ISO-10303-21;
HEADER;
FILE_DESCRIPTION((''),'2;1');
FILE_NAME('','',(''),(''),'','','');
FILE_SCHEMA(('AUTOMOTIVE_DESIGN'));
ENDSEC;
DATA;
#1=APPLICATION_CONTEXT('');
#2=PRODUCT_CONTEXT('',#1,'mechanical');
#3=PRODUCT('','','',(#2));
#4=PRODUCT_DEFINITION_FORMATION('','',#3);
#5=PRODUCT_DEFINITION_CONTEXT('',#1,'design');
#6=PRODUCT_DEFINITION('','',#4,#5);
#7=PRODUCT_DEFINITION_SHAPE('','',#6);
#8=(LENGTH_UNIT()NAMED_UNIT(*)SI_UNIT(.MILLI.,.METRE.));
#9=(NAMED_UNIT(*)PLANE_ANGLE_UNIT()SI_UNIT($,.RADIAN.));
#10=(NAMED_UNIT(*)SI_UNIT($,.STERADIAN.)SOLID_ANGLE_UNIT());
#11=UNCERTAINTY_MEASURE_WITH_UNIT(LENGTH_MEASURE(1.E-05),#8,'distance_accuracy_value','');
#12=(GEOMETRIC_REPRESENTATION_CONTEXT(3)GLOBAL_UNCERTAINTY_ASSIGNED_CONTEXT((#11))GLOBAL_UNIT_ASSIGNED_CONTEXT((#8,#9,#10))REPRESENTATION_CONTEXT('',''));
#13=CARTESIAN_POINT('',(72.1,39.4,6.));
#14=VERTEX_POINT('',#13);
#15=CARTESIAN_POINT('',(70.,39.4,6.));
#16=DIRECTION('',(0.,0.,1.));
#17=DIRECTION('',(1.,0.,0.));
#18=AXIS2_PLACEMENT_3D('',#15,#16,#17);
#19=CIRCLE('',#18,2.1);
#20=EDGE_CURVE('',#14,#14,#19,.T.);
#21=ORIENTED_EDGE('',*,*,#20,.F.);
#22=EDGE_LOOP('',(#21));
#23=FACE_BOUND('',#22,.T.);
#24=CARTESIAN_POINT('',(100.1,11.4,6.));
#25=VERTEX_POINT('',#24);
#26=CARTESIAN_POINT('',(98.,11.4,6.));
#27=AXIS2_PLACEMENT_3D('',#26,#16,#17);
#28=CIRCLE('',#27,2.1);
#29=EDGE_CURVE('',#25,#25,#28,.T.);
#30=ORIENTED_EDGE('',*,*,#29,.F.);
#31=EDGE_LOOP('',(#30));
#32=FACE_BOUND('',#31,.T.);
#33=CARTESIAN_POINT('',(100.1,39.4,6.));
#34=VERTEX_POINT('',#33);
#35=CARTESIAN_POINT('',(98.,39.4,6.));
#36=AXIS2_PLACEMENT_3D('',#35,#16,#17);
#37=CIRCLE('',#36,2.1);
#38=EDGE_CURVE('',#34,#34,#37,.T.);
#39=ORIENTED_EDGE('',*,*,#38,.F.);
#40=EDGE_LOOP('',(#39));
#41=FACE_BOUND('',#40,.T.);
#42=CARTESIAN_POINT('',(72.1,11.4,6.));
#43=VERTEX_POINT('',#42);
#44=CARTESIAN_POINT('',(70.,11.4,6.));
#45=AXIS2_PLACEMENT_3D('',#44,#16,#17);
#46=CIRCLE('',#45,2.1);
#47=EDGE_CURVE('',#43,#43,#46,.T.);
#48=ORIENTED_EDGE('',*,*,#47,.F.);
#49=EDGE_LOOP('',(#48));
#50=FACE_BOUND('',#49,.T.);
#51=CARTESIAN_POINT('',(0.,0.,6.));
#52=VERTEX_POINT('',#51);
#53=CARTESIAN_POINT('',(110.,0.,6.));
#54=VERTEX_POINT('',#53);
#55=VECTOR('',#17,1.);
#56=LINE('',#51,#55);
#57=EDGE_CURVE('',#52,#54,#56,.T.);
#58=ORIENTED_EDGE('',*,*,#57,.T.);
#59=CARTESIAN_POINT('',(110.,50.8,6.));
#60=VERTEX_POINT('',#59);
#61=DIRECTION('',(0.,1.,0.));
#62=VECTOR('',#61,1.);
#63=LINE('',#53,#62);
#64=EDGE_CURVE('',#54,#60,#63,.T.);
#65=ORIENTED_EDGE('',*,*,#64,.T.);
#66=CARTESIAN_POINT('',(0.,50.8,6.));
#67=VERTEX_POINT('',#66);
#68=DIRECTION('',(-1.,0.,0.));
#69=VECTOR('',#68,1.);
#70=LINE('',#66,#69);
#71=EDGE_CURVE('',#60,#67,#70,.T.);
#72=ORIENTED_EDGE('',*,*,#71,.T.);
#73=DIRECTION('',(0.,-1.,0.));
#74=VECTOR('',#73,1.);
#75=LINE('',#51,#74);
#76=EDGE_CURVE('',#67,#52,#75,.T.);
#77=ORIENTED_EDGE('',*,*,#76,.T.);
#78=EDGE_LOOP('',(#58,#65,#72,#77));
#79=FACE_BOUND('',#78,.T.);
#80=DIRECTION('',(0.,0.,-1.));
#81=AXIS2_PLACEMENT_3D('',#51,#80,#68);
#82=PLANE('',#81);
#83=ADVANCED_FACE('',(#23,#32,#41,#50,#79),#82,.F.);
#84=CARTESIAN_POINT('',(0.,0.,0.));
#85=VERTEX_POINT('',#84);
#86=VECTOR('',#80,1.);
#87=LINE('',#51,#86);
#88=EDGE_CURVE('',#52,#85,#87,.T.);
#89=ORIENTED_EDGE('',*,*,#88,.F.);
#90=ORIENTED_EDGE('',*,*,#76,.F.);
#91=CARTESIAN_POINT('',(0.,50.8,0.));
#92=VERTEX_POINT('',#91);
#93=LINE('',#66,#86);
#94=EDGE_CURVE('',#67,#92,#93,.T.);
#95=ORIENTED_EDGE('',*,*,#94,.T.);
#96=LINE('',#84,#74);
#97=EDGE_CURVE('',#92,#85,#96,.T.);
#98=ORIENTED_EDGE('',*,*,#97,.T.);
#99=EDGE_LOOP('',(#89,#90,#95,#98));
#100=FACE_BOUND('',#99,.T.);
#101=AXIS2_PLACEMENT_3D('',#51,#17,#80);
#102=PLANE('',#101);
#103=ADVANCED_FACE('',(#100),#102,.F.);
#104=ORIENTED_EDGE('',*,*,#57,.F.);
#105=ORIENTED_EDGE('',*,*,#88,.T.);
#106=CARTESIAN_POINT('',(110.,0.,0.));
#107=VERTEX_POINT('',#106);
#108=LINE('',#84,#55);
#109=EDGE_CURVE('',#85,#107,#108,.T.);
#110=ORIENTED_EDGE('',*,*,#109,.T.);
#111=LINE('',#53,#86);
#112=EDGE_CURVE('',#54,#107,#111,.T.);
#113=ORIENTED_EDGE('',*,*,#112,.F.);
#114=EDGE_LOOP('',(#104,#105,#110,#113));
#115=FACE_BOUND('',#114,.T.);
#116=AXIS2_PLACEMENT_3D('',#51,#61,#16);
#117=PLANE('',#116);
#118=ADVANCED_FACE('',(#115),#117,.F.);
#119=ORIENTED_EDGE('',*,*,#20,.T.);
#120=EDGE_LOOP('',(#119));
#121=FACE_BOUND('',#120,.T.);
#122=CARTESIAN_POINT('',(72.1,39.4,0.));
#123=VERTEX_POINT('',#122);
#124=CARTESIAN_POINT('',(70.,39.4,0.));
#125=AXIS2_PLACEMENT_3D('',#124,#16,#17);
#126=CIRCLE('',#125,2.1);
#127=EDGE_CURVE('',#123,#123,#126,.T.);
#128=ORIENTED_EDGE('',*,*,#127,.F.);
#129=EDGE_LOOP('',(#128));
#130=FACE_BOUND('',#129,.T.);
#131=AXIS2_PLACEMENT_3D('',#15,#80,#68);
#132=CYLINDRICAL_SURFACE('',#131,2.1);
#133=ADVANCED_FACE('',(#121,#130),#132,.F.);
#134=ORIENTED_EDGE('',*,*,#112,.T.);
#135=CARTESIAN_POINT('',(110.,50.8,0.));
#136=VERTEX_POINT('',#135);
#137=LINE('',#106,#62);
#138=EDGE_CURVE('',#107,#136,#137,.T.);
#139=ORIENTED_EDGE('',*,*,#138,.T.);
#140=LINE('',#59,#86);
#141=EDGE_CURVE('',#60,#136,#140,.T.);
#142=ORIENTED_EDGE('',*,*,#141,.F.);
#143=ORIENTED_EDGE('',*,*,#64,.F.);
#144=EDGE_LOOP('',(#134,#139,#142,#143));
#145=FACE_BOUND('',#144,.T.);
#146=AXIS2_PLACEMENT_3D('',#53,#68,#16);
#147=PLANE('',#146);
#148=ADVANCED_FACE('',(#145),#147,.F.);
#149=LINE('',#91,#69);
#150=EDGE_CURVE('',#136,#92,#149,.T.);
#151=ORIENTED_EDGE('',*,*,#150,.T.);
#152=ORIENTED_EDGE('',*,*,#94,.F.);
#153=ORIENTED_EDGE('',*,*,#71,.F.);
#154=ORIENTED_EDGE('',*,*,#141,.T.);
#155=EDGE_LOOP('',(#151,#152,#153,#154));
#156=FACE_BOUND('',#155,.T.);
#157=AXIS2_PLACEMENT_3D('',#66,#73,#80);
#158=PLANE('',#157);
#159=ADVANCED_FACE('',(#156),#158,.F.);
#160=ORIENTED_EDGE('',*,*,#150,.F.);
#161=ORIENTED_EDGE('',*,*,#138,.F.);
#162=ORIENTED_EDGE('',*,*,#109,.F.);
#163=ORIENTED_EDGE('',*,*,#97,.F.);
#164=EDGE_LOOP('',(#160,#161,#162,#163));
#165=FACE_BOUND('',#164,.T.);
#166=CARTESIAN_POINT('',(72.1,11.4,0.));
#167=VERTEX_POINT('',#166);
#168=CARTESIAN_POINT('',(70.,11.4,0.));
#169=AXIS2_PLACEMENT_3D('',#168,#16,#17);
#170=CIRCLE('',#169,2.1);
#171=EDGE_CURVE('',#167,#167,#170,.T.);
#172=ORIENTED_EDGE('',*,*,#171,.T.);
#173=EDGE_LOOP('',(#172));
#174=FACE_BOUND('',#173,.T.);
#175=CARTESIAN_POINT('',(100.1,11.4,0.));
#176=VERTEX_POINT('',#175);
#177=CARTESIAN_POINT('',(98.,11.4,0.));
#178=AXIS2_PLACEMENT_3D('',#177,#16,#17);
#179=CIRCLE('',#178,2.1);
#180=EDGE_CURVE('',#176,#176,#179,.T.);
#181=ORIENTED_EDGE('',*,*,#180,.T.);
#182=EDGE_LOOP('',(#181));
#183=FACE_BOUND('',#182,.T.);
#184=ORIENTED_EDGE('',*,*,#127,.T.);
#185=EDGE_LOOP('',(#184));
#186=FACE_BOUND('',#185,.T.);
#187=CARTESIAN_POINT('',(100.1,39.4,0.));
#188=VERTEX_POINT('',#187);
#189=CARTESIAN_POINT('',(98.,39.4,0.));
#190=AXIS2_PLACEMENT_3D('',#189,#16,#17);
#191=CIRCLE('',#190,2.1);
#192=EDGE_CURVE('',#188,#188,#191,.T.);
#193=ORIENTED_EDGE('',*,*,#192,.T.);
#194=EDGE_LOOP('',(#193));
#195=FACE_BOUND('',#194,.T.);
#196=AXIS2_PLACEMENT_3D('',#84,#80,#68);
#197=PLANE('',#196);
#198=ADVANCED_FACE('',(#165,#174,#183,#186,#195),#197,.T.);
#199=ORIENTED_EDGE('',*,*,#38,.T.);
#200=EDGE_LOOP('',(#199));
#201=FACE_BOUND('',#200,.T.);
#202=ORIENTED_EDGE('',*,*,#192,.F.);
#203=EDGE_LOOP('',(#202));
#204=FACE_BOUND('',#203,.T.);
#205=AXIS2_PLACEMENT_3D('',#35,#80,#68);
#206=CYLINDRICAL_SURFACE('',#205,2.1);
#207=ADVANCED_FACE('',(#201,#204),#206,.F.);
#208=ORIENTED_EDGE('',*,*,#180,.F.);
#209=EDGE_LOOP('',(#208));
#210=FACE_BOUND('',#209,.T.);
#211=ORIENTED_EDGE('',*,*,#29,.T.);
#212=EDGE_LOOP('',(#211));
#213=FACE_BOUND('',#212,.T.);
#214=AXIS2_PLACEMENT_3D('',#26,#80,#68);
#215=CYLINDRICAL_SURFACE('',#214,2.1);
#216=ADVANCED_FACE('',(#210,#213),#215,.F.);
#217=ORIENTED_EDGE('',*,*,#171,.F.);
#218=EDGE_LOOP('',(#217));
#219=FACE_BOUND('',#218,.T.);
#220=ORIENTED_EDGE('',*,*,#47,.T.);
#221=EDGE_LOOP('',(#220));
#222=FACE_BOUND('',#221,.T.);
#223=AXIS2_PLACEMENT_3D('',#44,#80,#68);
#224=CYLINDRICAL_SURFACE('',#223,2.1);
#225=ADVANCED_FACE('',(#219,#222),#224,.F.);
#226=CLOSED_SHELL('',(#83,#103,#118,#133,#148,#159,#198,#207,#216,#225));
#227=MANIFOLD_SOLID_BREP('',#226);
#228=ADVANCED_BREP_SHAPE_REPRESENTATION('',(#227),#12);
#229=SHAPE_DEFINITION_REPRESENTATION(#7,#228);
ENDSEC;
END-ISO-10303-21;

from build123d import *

# Parameters (mm, degrees)
SKETCH1_W           = 110
SKETCH1_H           = 50.8
SKETCH1_R           = 2.1
BOSS_EXTRUDE1_DEPTH = 6


with BuildPart() as part:
    # Sketch1 → Boss-Extrude1 (new body)
    with BuildSketch(Plane.XY):
        with Locations((55, 25.4)):
            Rectangle(SKETCH1_W, SKETCH1_H)
        with Locations((98, 39.4)):
            Circle(SKETCH1_R, mode=Mode.SUBTRACT)
        with Locations((98, 11.4)):
            Circle(SKETCH1_R, mode=Mode.SUBTRACT)
        with Locations((70, 39.4)):
            Circle(SKETCH1_R, mode=Mode.SUBTRACT)
        with Locations((70, 11.4)):
            Circle(SKETCH1_R, mode=Mode.SUBTRACT)
    extrude(amount=BOSS_EXTRUDE1_DEPTH)


solid = part.part
